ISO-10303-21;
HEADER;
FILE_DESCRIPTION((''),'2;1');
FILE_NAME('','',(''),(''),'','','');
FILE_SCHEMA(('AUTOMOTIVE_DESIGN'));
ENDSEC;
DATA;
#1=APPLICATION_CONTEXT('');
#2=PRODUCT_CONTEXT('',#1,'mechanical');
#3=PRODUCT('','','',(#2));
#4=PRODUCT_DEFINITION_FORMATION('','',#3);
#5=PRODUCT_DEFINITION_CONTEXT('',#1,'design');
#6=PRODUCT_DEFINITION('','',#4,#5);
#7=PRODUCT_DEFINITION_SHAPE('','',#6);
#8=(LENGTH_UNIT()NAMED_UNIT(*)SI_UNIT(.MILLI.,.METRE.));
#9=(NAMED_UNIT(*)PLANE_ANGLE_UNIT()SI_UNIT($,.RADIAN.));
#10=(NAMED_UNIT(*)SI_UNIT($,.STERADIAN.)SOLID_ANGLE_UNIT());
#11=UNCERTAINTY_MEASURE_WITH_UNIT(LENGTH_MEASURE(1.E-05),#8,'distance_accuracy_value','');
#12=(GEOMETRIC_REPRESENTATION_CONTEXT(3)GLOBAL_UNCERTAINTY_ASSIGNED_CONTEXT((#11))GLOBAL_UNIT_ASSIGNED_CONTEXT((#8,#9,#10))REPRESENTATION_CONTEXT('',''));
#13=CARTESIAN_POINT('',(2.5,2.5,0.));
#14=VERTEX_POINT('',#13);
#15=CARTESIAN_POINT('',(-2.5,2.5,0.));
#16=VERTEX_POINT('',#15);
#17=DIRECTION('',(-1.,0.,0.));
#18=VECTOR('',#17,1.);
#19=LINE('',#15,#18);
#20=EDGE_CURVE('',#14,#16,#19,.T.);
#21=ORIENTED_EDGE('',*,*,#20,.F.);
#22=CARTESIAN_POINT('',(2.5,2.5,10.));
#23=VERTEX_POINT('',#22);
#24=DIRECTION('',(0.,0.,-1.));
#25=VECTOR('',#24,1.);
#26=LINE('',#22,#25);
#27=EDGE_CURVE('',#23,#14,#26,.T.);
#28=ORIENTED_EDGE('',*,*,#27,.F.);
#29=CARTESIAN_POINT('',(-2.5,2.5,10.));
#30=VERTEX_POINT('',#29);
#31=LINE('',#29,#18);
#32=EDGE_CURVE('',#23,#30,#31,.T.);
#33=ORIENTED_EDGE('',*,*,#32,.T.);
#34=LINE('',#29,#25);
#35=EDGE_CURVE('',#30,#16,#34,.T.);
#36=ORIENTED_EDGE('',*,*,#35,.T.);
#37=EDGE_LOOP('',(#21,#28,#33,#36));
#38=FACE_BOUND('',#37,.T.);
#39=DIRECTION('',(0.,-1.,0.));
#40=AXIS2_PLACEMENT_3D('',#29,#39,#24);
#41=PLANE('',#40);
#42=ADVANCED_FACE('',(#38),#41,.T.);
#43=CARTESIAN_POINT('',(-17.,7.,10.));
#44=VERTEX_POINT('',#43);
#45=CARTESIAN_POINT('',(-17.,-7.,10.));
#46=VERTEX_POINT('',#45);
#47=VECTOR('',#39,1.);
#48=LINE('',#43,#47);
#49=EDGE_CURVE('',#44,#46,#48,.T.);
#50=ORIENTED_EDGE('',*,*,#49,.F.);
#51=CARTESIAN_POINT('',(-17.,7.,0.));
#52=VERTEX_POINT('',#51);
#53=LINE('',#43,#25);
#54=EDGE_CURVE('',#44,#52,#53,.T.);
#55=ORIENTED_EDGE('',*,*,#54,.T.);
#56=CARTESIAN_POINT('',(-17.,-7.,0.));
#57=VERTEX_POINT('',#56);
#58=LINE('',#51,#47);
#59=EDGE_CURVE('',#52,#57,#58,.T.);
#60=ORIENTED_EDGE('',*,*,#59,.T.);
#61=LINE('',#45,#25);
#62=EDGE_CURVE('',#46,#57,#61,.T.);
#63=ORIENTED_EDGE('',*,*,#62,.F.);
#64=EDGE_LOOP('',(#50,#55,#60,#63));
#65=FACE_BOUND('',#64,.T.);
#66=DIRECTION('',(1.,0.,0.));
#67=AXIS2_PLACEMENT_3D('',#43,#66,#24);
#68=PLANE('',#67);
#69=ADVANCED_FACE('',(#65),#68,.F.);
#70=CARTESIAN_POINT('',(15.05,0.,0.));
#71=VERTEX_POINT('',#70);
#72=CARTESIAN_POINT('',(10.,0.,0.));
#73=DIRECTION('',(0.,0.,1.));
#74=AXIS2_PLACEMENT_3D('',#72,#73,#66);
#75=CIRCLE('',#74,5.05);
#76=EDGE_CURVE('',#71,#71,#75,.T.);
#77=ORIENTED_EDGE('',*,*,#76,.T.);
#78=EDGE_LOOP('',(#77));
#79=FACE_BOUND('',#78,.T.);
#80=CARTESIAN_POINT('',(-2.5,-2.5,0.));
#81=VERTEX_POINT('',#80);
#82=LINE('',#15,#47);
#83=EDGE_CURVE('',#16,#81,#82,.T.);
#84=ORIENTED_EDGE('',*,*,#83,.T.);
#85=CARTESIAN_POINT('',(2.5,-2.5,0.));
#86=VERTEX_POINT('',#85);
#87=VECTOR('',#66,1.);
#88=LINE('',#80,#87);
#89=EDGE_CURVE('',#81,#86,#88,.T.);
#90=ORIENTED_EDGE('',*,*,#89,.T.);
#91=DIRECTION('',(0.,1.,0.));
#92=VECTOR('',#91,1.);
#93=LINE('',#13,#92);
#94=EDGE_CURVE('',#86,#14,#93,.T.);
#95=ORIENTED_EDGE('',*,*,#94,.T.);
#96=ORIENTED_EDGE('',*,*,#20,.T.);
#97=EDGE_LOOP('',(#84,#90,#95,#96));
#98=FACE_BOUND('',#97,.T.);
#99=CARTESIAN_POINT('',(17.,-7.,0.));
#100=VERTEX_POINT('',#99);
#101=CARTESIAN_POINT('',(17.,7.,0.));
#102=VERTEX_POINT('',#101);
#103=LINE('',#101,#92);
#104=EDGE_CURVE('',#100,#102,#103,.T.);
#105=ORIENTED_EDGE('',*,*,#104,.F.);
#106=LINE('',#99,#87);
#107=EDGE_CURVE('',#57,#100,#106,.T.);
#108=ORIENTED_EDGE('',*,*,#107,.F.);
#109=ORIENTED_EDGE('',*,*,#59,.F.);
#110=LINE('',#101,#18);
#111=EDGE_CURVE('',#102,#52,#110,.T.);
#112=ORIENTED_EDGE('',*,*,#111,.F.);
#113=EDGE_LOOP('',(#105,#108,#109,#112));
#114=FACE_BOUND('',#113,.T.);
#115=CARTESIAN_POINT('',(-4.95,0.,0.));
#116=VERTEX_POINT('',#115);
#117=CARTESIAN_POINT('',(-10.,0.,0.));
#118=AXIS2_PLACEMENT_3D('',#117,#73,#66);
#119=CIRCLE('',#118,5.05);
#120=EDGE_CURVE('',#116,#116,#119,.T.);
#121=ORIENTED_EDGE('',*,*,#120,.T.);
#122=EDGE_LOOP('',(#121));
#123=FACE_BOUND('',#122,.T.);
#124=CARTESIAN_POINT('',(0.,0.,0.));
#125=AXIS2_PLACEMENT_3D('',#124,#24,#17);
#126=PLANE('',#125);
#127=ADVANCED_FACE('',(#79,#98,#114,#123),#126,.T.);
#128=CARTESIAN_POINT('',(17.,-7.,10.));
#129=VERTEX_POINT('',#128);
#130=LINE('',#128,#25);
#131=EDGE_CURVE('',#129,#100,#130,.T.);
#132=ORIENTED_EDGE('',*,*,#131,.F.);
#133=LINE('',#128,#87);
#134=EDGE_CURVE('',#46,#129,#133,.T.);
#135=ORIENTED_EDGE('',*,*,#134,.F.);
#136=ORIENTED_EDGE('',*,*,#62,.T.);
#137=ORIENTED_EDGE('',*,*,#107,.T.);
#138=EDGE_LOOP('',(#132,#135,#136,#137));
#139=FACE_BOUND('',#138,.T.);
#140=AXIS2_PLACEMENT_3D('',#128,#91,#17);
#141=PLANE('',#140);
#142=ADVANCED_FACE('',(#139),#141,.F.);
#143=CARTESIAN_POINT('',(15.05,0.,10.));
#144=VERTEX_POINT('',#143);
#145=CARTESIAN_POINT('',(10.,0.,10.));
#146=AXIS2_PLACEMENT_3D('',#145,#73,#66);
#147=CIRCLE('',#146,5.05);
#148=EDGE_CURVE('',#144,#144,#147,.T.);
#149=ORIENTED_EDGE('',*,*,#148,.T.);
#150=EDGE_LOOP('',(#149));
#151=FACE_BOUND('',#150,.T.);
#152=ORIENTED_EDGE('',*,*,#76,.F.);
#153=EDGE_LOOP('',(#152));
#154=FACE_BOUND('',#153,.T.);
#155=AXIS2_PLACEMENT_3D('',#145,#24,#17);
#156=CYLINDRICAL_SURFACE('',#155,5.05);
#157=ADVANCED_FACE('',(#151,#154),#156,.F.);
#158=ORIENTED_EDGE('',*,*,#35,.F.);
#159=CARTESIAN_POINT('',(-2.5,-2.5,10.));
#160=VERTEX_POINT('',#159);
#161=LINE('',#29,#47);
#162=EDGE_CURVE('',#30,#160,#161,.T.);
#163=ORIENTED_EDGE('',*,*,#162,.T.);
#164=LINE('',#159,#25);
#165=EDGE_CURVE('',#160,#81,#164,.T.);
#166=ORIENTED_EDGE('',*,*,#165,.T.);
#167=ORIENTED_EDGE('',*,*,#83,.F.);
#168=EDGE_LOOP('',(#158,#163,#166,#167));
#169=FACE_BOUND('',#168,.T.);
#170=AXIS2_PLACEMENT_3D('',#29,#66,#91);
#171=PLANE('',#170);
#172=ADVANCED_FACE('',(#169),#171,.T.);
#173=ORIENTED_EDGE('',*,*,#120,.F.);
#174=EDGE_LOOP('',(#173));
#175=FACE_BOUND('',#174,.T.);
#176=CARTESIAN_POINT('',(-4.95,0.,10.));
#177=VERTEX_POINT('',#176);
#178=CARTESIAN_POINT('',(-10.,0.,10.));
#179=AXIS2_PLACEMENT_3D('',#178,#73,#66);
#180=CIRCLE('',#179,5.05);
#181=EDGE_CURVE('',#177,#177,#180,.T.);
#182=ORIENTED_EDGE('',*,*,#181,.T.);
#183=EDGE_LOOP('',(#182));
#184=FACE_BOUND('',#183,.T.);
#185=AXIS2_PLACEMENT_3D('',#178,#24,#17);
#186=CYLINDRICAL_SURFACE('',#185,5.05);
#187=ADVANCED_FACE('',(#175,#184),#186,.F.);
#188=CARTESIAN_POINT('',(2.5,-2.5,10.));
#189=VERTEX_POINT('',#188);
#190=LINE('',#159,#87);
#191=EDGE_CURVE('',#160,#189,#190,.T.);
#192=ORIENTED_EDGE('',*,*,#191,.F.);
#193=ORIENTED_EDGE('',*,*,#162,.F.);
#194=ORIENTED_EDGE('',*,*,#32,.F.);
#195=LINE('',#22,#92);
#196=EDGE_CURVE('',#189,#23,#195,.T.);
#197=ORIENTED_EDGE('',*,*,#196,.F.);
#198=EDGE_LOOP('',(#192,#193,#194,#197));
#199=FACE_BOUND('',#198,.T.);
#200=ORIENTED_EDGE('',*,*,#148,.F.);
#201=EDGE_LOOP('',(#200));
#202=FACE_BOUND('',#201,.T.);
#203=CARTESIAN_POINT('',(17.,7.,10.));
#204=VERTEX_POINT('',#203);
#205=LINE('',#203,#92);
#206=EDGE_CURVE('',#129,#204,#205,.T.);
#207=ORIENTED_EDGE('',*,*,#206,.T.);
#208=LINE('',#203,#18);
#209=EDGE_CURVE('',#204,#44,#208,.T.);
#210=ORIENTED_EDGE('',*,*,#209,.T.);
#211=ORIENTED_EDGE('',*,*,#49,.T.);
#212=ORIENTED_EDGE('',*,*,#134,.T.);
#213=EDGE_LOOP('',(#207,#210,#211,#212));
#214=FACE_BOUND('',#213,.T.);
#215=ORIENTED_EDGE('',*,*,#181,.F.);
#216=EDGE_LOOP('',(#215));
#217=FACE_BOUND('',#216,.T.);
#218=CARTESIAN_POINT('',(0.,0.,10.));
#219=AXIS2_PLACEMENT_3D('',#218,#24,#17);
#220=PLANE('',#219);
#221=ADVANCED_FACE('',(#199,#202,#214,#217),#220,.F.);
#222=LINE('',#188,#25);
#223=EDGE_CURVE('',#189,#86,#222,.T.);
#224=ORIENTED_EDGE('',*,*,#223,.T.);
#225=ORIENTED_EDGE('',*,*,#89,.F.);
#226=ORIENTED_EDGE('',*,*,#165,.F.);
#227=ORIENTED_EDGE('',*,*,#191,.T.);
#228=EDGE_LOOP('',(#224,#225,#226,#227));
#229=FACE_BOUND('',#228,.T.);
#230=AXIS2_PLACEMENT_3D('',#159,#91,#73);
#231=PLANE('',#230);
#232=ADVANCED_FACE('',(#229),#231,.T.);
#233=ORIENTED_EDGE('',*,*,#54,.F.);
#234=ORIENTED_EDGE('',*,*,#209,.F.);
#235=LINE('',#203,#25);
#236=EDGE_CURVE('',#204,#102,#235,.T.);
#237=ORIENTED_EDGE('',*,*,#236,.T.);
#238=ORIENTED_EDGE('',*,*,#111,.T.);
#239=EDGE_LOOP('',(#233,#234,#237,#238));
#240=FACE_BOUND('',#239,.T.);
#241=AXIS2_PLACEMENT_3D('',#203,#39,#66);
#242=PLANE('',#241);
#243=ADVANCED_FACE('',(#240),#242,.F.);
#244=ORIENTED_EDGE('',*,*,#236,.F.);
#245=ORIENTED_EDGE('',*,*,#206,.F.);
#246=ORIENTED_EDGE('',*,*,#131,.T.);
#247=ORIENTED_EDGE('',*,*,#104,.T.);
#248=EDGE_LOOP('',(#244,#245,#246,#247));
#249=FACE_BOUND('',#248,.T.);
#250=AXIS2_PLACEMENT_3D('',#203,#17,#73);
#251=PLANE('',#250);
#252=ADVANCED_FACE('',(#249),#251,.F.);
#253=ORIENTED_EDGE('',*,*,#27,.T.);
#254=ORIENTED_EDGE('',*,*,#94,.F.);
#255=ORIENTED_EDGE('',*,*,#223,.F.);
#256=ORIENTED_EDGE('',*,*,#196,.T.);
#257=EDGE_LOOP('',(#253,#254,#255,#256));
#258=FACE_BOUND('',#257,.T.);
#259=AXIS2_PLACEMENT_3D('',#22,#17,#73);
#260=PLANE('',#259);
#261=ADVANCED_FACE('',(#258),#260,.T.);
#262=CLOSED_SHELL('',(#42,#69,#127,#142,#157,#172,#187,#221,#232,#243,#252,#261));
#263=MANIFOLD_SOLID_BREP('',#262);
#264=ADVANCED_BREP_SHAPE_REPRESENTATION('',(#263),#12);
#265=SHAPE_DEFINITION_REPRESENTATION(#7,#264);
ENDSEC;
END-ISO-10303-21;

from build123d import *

# Parameters (mm, degrees)
SKETCH_1_W      = 34
SKETCH_1_H      = 14
SKETCH_1_R      = 5.05
SKETCH_1_W_2    = 5
SKETCH_1_H_2    = 5
EXTRUDE_1_DEPTH = 10


with BuildPart() as part:
    # 草图1 → 凸台-拉伸1 (new body)
    with BuildSketch(Plane.XY):
        Rectangle(SKETCH_1_W, SKETCH_1_H)
        with Locations((-10, 0)):
            Circle(SKETCH_1_R, mode=Mode.SUBTRACT)
        with Locations((10, 0)):
            Circle(SKETCH_1_R, mode=Mode.SUBTRACT)
        Rectangle(SKETCH_1_W_2, SKETCH_1_H_2, mode=Mode.SUBTRACT)
    extrude(amount=EXTRUDE_1_DEPTH)


solid = part.part
